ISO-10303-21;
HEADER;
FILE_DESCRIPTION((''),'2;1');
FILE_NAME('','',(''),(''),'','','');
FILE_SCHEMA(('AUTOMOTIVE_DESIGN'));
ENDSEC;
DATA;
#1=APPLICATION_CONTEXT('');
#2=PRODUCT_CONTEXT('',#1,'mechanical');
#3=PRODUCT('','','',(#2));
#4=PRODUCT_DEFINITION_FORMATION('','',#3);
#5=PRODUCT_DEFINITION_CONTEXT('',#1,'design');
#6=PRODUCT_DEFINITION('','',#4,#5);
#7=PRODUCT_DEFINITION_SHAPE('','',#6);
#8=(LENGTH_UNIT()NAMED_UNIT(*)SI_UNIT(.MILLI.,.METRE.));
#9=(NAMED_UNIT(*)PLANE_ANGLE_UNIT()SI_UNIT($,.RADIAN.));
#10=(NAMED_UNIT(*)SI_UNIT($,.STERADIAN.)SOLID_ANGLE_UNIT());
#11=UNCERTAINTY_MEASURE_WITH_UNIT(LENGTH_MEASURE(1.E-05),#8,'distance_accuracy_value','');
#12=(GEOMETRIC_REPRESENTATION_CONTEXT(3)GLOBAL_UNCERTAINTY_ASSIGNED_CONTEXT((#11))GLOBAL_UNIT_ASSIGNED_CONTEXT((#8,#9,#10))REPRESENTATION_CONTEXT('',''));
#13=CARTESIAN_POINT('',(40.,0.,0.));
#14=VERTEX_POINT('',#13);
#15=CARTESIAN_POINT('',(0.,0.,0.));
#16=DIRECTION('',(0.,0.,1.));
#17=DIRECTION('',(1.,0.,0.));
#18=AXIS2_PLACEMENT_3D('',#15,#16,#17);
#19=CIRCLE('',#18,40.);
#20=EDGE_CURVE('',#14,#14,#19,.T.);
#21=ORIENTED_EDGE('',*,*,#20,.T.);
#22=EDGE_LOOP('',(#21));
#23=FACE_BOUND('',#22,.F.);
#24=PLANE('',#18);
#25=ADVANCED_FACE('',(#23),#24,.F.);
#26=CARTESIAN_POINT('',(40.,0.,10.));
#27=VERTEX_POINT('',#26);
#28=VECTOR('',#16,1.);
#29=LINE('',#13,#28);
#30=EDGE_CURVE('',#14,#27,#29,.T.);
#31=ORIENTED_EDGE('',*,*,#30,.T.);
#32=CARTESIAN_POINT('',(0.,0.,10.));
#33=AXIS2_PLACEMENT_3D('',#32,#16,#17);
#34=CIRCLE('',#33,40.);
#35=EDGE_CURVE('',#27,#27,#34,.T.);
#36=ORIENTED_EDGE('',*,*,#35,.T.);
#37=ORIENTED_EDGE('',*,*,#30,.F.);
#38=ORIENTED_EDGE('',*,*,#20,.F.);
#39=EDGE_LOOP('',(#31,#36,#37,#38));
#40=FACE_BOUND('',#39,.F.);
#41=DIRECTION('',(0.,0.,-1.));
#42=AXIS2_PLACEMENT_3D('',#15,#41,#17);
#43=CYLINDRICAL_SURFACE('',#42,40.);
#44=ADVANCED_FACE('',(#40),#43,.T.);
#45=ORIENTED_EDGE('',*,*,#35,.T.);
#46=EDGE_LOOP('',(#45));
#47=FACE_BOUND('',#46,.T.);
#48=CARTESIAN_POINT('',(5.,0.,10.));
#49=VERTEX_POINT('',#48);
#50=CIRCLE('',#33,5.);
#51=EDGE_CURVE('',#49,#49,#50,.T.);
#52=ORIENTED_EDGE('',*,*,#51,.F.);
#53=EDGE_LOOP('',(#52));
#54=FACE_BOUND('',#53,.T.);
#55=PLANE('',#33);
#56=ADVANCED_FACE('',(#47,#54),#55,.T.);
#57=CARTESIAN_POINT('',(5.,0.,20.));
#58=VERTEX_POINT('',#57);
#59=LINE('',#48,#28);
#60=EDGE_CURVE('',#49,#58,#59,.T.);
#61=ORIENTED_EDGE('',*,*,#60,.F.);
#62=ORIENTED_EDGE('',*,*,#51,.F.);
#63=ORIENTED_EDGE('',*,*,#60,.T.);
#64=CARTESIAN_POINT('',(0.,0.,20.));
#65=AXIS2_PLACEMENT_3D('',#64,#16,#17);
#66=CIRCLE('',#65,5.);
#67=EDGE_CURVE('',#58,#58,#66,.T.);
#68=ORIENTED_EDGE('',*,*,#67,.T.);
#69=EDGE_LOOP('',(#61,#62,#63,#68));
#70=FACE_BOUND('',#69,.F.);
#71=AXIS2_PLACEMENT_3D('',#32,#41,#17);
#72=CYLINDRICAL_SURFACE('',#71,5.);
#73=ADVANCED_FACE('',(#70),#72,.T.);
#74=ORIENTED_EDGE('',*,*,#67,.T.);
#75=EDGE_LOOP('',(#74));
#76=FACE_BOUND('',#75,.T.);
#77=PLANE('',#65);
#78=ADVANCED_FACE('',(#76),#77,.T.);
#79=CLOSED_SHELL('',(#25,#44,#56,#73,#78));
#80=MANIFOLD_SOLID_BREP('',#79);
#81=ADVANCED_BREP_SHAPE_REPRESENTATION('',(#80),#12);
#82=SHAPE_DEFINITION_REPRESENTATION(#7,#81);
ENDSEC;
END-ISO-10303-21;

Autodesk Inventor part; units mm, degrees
ref_plane "YZ Plane" through (0, 0, 0) normal (1, 0, 0) x (0, 1, 0)
ref_plane "XZ Plane" through (0, 0, 0) normal (0, 1, 0) x (-1, 0, 0)
ref_plane "XY Plane" through (0, 0, 0) normal (0, 0, 1) x (1, 0, 0)
sketch "草圖1" plane through (0, 0, 0) normal (0, 0, 1) x (1, 0, 0)
  circle A0 centre (0, 0) radius 40
  dimension "d0" = 80
extrude "擠出1" add sketch "草圖1" along normal blind 10
sketch "草圖2" plane through (0, 0, 10) normal (0, 0, 1) x (1, 0, 0)
  circle A0 centre (0, 0) radius 5
  dimension "d3" = 10
extrude "擠出2" add sketch "草圖2" along normal blind 10
properties part number "基圓"
